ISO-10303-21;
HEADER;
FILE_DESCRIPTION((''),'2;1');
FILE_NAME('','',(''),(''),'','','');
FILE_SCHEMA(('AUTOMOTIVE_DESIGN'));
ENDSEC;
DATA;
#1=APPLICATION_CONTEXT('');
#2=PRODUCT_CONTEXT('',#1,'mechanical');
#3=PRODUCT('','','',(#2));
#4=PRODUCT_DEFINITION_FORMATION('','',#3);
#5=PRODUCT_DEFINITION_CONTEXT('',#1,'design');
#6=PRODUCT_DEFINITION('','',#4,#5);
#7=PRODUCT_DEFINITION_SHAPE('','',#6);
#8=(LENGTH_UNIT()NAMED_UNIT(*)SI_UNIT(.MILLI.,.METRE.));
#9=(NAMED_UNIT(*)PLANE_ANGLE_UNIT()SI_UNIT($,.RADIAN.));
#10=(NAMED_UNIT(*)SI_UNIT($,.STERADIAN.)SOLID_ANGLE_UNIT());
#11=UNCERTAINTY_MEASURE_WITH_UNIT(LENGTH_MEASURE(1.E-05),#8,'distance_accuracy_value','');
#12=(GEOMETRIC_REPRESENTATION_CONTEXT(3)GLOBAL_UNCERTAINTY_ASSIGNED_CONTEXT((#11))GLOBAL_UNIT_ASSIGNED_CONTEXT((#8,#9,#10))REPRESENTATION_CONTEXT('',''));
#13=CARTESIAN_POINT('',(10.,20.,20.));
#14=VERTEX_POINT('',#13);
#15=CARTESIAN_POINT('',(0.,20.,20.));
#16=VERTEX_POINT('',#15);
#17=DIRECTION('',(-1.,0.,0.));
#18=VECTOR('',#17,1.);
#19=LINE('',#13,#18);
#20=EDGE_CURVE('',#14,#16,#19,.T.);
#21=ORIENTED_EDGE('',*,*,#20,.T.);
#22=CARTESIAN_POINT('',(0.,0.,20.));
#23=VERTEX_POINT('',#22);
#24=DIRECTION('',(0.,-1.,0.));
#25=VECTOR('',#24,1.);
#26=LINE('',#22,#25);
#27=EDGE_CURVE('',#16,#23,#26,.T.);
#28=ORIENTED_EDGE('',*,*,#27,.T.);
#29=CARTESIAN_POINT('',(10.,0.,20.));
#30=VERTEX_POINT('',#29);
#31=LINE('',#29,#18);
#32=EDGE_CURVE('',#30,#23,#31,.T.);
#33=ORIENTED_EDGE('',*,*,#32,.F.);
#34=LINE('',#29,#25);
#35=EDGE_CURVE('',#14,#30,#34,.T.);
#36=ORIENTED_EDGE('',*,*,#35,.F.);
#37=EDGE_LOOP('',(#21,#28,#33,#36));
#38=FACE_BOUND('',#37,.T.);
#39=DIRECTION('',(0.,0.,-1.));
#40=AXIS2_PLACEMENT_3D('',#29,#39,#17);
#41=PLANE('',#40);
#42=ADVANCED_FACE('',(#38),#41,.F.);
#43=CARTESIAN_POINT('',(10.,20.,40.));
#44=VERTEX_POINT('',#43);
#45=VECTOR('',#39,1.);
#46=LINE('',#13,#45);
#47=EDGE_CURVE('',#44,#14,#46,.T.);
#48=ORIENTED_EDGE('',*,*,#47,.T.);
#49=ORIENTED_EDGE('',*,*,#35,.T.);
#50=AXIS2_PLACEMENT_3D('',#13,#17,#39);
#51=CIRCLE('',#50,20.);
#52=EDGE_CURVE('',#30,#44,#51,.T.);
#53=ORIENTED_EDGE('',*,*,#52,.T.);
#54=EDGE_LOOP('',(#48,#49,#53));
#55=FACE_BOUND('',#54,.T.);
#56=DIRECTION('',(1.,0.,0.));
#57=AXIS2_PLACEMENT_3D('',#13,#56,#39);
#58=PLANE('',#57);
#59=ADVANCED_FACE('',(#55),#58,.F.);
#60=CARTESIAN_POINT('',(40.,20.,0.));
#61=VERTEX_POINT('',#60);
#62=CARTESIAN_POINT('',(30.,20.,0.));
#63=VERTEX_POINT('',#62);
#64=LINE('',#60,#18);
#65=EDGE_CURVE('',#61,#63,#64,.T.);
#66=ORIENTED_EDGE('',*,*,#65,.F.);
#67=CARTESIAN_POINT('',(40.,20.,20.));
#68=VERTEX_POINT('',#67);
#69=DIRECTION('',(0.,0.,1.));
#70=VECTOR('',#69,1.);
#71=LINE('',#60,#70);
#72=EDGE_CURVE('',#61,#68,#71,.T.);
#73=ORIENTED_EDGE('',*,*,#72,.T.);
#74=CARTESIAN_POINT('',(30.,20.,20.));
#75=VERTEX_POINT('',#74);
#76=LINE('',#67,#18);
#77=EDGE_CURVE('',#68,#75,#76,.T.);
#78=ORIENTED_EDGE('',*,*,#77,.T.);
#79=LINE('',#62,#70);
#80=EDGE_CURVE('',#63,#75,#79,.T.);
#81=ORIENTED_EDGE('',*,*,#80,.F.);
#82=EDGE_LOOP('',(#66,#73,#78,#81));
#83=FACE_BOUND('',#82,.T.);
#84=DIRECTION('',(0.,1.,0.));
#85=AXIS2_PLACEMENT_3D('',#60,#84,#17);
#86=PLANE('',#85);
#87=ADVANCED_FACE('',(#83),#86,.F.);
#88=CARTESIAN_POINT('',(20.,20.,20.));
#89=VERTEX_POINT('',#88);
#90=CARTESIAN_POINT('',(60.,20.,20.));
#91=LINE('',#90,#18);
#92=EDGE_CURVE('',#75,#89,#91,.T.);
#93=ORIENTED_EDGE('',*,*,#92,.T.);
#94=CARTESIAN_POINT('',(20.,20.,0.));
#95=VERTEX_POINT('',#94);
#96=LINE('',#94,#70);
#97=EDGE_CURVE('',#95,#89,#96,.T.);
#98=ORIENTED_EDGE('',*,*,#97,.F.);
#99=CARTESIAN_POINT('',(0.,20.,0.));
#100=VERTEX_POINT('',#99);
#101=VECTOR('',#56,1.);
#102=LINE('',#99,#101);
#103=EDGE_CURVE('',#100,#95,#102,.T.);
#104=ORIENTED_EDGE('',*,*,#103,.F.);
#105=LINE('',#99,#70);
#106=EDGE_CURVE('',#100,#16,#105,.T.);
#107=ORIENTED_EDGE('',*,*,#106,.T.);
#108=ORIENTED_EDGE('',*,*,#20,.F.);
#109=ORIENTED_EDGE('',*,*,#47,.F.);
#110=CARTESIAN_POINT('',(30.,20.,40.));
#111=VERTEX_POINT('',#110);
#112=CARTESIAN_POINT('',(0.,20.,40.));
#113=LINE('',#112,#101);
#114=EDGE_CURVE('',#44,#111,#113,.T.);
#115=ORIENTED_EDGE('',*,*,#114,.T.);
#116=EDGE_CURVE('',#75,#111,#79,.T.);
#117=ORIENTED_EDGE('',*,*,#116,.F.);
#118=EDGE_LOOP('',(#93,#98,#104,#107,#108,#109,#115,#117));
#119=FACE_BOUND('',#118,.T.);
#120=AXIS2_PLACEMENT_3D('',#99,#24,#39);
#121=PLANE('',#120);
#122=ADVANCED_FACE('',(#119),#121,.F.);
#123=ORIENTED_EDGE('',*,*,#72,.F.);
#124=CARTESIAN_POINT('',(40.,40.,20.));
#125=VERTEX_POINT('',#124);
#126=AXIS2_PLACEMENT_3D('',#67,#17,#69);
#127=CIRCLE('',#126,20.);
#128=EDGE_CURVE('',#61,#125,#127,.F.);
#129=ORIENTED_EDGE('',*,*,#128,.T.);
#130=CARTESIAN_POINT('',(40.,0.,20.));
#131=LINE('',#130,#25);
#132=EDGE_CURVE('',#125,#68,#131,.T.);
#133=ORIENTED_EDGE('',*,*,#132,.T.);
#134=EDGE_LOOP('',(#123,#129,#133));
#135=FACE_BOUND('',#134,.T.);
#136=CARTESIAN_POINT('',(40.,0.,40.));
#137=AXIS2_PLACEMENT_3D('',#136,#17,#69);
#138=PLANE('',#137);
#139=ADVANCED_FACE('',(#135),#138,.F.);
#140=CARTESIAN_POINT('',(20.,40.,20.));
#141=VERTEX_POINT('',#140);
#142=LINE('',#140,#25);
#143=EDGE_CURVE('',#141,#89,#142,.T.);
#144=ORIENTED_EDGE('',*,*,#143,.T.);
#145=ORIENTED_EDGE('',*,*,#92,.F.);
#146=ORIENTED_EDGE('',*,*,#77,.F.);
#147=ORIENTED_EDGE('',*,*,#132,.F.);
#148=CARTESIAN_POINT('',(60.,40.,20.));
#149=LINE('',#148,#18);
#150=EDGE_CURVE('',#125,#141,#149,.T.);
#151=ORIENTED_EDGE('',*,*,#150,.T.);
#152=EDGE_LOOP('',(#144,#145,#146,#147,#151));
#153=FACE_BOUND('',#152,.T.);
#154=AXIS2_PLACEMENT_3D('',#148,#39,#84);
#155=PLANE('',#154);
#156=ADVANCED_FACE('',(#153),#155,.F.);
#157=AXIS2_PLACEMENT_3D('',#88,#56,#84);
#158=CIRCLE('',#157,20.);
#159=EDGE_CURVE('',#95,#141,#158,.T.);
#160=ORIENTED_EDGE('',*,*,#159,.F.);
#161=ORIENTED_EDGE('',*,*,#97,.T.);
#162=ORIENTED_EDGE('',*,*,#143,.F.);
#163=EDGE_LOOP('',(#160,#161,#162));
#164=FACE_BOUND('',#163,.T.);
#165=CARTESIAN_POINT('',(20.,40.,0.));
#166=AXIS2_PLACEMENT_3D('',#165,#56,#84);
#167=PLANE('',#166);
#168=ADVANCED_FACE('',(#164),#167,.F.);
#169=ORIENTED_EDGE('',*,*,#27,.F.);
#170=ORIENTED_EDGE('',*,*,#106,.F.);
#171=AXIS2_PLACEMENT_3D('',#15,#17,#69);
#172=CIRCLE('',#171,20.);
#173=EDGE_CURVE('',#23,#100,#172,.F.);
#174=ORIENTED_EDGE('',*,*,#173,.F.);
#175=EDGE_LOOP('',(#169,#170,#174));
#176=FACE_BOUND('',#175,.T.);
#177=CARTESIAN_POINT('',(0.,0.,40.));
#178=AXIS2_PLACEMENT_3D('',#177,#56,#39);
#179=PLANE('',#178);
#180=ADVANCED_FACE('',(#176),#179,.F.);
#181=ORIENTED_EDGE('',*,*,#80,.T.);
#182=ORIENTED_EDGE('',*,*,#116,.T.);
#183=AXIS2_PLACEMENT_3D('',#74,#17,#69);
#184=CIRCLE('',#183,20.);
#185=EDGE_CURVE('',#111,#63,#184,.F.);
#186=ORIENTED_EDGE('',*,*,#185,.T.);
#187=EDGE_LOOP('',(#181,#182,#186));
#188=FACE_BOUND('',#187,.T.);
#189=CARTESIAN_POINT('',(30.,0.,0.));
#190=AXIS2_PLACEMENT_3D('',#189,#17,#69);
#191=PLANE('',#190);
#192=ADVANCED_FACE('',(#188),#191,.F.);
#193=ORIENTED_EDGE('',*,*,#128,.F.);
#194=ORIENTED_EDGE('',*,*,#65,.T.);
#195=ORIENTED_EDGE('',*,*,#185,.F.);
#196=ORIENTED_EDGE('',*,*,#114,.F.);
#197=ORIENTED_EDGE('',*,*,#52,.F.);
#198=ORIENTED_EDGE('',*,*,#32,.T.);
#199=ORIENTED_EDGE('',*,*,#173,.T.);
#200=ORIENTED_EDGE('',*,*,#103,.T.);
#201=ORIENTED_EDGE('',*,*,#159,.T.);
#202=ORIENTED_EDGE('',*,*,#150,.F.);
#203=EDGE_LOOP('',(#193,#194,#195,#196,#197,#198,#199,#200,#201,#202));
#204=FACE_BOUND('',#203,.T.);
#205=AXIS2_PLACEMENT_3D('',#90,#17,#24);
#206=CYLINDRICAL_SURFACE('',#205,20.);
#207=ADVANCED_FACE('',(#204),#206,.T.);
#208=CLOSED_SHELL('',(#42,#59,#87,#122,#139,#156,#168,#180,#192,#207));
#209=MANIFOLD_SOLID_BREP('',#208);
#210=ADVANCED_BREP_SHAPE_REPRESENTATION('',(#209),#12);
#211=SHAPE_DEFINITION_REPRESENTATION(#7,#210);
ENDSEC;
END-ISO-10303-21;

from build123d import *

# Parameters (mm, degrees)
SKETCH1_W           = 40
SKETCH1_H           = 40
BOSS_EXTRUDE1_DEPTH = 40
SKETCH2_W           = 20
SKETCH2_H           = 20
SKETCH2_W_2         = 10
CUT_EXTRUDE1_DEPTH  = 40
SKETCH3_W           = 20
SKETCH3_H           = 20
CUT_EXTRUDE2_DEPTH  = 40
CUT_EXTRUDE3_DEPTH  = 40
CUT_EXTRUDE4_DEPTH  = 40
CUT_EXTRUDE5_DEPTH  = 10


with BuildPart() as part:
    # Sketch1 → Boss-Extrude1 (new body)
    with BuildSketch(Plane.XY):
        with Locations((20, 20)):
            Rectangle(SKETCH1_W, SKETCH1_H)
    extrude(amount=BOSS_EXTRUDE1_DEPTH)

    # Sketch2 → Cut-Extrude1 (cut)
    with BuildSketch(Plane.XY.offset(40)):
        with Locations((10, 30)):
            Rectangle(SKETCH2_W, SKETCH2_H)
        with Locations((35, 10)):
            Rectangle(SKETCH2_W_2, SKETCH2_H)
    extrude(amount=-CUT_EXTRUDE1_DEPTH, mode=Mode.SUBTRACT)

    # Sketch3 → Cut-Extrude2 (cut)
    with BuildSketch(Plane.ZY.offset(-20)):
        with Locations((30, 30)):
            Rectangle(SKETCH3_W, SKETCH3_H)
    extrude(amount=-CUT_EXTRUDE2_DEPTH, mode=Mode.SUBTRACT)

    # Sketch4 → Cut-Extrude3 (cut)
    with BuildSketch(Plane.ZY.offset(-20)):
        with BuildLine():
            Line((20, 40), (0, 40))
            Line((0, 40), (0, 20))
            ThreePointArc((0, 20), (5.857864376, 34.142135624), (20, 40))
        make_face()
    extrude(amount=-CUT_EXTRUDE3_DEPTH, mode=Mode.SUBTRACT)

    # Sketch5 → Cut-Extrude4 (cut)
    with BuildSketch(Plane.ZY):
        with BuildLine():
            Line((0, 0), (20, 0))
            ThreePointArc((20, 0), (5.857864376, 5.857864376), (0, 20))
            Line((0, 20), (0, 0))
        make_face()
        with BuildLine():
            Line((40, 0), (40, 20))
            ThreePointArc((40, 20), (34.142135624, 5.857864376), (20, 0))
            Line((20, 0), (40, 0))
        make_face()
    extrude(amount=-CUT_EXTRUDE4_DEPTH, mode=Mode.SUBTRACT)

    # Sketch6 → Cut-Extrude5 (cut)
    with BuildSketch(Plane.ZY):
        with BuildLine():
            Line((20, 0), (20, 20))
            Line((20, 20), (40, 20))
            ThreePointArc((40, 20), (34.142135624, 5.857864376), (20, 0))
        make_face()
    extrude(amount=-CUT_EXTRUDE5_DEPTH, mode=Mode.SUBTRACT)


solid = part.part
